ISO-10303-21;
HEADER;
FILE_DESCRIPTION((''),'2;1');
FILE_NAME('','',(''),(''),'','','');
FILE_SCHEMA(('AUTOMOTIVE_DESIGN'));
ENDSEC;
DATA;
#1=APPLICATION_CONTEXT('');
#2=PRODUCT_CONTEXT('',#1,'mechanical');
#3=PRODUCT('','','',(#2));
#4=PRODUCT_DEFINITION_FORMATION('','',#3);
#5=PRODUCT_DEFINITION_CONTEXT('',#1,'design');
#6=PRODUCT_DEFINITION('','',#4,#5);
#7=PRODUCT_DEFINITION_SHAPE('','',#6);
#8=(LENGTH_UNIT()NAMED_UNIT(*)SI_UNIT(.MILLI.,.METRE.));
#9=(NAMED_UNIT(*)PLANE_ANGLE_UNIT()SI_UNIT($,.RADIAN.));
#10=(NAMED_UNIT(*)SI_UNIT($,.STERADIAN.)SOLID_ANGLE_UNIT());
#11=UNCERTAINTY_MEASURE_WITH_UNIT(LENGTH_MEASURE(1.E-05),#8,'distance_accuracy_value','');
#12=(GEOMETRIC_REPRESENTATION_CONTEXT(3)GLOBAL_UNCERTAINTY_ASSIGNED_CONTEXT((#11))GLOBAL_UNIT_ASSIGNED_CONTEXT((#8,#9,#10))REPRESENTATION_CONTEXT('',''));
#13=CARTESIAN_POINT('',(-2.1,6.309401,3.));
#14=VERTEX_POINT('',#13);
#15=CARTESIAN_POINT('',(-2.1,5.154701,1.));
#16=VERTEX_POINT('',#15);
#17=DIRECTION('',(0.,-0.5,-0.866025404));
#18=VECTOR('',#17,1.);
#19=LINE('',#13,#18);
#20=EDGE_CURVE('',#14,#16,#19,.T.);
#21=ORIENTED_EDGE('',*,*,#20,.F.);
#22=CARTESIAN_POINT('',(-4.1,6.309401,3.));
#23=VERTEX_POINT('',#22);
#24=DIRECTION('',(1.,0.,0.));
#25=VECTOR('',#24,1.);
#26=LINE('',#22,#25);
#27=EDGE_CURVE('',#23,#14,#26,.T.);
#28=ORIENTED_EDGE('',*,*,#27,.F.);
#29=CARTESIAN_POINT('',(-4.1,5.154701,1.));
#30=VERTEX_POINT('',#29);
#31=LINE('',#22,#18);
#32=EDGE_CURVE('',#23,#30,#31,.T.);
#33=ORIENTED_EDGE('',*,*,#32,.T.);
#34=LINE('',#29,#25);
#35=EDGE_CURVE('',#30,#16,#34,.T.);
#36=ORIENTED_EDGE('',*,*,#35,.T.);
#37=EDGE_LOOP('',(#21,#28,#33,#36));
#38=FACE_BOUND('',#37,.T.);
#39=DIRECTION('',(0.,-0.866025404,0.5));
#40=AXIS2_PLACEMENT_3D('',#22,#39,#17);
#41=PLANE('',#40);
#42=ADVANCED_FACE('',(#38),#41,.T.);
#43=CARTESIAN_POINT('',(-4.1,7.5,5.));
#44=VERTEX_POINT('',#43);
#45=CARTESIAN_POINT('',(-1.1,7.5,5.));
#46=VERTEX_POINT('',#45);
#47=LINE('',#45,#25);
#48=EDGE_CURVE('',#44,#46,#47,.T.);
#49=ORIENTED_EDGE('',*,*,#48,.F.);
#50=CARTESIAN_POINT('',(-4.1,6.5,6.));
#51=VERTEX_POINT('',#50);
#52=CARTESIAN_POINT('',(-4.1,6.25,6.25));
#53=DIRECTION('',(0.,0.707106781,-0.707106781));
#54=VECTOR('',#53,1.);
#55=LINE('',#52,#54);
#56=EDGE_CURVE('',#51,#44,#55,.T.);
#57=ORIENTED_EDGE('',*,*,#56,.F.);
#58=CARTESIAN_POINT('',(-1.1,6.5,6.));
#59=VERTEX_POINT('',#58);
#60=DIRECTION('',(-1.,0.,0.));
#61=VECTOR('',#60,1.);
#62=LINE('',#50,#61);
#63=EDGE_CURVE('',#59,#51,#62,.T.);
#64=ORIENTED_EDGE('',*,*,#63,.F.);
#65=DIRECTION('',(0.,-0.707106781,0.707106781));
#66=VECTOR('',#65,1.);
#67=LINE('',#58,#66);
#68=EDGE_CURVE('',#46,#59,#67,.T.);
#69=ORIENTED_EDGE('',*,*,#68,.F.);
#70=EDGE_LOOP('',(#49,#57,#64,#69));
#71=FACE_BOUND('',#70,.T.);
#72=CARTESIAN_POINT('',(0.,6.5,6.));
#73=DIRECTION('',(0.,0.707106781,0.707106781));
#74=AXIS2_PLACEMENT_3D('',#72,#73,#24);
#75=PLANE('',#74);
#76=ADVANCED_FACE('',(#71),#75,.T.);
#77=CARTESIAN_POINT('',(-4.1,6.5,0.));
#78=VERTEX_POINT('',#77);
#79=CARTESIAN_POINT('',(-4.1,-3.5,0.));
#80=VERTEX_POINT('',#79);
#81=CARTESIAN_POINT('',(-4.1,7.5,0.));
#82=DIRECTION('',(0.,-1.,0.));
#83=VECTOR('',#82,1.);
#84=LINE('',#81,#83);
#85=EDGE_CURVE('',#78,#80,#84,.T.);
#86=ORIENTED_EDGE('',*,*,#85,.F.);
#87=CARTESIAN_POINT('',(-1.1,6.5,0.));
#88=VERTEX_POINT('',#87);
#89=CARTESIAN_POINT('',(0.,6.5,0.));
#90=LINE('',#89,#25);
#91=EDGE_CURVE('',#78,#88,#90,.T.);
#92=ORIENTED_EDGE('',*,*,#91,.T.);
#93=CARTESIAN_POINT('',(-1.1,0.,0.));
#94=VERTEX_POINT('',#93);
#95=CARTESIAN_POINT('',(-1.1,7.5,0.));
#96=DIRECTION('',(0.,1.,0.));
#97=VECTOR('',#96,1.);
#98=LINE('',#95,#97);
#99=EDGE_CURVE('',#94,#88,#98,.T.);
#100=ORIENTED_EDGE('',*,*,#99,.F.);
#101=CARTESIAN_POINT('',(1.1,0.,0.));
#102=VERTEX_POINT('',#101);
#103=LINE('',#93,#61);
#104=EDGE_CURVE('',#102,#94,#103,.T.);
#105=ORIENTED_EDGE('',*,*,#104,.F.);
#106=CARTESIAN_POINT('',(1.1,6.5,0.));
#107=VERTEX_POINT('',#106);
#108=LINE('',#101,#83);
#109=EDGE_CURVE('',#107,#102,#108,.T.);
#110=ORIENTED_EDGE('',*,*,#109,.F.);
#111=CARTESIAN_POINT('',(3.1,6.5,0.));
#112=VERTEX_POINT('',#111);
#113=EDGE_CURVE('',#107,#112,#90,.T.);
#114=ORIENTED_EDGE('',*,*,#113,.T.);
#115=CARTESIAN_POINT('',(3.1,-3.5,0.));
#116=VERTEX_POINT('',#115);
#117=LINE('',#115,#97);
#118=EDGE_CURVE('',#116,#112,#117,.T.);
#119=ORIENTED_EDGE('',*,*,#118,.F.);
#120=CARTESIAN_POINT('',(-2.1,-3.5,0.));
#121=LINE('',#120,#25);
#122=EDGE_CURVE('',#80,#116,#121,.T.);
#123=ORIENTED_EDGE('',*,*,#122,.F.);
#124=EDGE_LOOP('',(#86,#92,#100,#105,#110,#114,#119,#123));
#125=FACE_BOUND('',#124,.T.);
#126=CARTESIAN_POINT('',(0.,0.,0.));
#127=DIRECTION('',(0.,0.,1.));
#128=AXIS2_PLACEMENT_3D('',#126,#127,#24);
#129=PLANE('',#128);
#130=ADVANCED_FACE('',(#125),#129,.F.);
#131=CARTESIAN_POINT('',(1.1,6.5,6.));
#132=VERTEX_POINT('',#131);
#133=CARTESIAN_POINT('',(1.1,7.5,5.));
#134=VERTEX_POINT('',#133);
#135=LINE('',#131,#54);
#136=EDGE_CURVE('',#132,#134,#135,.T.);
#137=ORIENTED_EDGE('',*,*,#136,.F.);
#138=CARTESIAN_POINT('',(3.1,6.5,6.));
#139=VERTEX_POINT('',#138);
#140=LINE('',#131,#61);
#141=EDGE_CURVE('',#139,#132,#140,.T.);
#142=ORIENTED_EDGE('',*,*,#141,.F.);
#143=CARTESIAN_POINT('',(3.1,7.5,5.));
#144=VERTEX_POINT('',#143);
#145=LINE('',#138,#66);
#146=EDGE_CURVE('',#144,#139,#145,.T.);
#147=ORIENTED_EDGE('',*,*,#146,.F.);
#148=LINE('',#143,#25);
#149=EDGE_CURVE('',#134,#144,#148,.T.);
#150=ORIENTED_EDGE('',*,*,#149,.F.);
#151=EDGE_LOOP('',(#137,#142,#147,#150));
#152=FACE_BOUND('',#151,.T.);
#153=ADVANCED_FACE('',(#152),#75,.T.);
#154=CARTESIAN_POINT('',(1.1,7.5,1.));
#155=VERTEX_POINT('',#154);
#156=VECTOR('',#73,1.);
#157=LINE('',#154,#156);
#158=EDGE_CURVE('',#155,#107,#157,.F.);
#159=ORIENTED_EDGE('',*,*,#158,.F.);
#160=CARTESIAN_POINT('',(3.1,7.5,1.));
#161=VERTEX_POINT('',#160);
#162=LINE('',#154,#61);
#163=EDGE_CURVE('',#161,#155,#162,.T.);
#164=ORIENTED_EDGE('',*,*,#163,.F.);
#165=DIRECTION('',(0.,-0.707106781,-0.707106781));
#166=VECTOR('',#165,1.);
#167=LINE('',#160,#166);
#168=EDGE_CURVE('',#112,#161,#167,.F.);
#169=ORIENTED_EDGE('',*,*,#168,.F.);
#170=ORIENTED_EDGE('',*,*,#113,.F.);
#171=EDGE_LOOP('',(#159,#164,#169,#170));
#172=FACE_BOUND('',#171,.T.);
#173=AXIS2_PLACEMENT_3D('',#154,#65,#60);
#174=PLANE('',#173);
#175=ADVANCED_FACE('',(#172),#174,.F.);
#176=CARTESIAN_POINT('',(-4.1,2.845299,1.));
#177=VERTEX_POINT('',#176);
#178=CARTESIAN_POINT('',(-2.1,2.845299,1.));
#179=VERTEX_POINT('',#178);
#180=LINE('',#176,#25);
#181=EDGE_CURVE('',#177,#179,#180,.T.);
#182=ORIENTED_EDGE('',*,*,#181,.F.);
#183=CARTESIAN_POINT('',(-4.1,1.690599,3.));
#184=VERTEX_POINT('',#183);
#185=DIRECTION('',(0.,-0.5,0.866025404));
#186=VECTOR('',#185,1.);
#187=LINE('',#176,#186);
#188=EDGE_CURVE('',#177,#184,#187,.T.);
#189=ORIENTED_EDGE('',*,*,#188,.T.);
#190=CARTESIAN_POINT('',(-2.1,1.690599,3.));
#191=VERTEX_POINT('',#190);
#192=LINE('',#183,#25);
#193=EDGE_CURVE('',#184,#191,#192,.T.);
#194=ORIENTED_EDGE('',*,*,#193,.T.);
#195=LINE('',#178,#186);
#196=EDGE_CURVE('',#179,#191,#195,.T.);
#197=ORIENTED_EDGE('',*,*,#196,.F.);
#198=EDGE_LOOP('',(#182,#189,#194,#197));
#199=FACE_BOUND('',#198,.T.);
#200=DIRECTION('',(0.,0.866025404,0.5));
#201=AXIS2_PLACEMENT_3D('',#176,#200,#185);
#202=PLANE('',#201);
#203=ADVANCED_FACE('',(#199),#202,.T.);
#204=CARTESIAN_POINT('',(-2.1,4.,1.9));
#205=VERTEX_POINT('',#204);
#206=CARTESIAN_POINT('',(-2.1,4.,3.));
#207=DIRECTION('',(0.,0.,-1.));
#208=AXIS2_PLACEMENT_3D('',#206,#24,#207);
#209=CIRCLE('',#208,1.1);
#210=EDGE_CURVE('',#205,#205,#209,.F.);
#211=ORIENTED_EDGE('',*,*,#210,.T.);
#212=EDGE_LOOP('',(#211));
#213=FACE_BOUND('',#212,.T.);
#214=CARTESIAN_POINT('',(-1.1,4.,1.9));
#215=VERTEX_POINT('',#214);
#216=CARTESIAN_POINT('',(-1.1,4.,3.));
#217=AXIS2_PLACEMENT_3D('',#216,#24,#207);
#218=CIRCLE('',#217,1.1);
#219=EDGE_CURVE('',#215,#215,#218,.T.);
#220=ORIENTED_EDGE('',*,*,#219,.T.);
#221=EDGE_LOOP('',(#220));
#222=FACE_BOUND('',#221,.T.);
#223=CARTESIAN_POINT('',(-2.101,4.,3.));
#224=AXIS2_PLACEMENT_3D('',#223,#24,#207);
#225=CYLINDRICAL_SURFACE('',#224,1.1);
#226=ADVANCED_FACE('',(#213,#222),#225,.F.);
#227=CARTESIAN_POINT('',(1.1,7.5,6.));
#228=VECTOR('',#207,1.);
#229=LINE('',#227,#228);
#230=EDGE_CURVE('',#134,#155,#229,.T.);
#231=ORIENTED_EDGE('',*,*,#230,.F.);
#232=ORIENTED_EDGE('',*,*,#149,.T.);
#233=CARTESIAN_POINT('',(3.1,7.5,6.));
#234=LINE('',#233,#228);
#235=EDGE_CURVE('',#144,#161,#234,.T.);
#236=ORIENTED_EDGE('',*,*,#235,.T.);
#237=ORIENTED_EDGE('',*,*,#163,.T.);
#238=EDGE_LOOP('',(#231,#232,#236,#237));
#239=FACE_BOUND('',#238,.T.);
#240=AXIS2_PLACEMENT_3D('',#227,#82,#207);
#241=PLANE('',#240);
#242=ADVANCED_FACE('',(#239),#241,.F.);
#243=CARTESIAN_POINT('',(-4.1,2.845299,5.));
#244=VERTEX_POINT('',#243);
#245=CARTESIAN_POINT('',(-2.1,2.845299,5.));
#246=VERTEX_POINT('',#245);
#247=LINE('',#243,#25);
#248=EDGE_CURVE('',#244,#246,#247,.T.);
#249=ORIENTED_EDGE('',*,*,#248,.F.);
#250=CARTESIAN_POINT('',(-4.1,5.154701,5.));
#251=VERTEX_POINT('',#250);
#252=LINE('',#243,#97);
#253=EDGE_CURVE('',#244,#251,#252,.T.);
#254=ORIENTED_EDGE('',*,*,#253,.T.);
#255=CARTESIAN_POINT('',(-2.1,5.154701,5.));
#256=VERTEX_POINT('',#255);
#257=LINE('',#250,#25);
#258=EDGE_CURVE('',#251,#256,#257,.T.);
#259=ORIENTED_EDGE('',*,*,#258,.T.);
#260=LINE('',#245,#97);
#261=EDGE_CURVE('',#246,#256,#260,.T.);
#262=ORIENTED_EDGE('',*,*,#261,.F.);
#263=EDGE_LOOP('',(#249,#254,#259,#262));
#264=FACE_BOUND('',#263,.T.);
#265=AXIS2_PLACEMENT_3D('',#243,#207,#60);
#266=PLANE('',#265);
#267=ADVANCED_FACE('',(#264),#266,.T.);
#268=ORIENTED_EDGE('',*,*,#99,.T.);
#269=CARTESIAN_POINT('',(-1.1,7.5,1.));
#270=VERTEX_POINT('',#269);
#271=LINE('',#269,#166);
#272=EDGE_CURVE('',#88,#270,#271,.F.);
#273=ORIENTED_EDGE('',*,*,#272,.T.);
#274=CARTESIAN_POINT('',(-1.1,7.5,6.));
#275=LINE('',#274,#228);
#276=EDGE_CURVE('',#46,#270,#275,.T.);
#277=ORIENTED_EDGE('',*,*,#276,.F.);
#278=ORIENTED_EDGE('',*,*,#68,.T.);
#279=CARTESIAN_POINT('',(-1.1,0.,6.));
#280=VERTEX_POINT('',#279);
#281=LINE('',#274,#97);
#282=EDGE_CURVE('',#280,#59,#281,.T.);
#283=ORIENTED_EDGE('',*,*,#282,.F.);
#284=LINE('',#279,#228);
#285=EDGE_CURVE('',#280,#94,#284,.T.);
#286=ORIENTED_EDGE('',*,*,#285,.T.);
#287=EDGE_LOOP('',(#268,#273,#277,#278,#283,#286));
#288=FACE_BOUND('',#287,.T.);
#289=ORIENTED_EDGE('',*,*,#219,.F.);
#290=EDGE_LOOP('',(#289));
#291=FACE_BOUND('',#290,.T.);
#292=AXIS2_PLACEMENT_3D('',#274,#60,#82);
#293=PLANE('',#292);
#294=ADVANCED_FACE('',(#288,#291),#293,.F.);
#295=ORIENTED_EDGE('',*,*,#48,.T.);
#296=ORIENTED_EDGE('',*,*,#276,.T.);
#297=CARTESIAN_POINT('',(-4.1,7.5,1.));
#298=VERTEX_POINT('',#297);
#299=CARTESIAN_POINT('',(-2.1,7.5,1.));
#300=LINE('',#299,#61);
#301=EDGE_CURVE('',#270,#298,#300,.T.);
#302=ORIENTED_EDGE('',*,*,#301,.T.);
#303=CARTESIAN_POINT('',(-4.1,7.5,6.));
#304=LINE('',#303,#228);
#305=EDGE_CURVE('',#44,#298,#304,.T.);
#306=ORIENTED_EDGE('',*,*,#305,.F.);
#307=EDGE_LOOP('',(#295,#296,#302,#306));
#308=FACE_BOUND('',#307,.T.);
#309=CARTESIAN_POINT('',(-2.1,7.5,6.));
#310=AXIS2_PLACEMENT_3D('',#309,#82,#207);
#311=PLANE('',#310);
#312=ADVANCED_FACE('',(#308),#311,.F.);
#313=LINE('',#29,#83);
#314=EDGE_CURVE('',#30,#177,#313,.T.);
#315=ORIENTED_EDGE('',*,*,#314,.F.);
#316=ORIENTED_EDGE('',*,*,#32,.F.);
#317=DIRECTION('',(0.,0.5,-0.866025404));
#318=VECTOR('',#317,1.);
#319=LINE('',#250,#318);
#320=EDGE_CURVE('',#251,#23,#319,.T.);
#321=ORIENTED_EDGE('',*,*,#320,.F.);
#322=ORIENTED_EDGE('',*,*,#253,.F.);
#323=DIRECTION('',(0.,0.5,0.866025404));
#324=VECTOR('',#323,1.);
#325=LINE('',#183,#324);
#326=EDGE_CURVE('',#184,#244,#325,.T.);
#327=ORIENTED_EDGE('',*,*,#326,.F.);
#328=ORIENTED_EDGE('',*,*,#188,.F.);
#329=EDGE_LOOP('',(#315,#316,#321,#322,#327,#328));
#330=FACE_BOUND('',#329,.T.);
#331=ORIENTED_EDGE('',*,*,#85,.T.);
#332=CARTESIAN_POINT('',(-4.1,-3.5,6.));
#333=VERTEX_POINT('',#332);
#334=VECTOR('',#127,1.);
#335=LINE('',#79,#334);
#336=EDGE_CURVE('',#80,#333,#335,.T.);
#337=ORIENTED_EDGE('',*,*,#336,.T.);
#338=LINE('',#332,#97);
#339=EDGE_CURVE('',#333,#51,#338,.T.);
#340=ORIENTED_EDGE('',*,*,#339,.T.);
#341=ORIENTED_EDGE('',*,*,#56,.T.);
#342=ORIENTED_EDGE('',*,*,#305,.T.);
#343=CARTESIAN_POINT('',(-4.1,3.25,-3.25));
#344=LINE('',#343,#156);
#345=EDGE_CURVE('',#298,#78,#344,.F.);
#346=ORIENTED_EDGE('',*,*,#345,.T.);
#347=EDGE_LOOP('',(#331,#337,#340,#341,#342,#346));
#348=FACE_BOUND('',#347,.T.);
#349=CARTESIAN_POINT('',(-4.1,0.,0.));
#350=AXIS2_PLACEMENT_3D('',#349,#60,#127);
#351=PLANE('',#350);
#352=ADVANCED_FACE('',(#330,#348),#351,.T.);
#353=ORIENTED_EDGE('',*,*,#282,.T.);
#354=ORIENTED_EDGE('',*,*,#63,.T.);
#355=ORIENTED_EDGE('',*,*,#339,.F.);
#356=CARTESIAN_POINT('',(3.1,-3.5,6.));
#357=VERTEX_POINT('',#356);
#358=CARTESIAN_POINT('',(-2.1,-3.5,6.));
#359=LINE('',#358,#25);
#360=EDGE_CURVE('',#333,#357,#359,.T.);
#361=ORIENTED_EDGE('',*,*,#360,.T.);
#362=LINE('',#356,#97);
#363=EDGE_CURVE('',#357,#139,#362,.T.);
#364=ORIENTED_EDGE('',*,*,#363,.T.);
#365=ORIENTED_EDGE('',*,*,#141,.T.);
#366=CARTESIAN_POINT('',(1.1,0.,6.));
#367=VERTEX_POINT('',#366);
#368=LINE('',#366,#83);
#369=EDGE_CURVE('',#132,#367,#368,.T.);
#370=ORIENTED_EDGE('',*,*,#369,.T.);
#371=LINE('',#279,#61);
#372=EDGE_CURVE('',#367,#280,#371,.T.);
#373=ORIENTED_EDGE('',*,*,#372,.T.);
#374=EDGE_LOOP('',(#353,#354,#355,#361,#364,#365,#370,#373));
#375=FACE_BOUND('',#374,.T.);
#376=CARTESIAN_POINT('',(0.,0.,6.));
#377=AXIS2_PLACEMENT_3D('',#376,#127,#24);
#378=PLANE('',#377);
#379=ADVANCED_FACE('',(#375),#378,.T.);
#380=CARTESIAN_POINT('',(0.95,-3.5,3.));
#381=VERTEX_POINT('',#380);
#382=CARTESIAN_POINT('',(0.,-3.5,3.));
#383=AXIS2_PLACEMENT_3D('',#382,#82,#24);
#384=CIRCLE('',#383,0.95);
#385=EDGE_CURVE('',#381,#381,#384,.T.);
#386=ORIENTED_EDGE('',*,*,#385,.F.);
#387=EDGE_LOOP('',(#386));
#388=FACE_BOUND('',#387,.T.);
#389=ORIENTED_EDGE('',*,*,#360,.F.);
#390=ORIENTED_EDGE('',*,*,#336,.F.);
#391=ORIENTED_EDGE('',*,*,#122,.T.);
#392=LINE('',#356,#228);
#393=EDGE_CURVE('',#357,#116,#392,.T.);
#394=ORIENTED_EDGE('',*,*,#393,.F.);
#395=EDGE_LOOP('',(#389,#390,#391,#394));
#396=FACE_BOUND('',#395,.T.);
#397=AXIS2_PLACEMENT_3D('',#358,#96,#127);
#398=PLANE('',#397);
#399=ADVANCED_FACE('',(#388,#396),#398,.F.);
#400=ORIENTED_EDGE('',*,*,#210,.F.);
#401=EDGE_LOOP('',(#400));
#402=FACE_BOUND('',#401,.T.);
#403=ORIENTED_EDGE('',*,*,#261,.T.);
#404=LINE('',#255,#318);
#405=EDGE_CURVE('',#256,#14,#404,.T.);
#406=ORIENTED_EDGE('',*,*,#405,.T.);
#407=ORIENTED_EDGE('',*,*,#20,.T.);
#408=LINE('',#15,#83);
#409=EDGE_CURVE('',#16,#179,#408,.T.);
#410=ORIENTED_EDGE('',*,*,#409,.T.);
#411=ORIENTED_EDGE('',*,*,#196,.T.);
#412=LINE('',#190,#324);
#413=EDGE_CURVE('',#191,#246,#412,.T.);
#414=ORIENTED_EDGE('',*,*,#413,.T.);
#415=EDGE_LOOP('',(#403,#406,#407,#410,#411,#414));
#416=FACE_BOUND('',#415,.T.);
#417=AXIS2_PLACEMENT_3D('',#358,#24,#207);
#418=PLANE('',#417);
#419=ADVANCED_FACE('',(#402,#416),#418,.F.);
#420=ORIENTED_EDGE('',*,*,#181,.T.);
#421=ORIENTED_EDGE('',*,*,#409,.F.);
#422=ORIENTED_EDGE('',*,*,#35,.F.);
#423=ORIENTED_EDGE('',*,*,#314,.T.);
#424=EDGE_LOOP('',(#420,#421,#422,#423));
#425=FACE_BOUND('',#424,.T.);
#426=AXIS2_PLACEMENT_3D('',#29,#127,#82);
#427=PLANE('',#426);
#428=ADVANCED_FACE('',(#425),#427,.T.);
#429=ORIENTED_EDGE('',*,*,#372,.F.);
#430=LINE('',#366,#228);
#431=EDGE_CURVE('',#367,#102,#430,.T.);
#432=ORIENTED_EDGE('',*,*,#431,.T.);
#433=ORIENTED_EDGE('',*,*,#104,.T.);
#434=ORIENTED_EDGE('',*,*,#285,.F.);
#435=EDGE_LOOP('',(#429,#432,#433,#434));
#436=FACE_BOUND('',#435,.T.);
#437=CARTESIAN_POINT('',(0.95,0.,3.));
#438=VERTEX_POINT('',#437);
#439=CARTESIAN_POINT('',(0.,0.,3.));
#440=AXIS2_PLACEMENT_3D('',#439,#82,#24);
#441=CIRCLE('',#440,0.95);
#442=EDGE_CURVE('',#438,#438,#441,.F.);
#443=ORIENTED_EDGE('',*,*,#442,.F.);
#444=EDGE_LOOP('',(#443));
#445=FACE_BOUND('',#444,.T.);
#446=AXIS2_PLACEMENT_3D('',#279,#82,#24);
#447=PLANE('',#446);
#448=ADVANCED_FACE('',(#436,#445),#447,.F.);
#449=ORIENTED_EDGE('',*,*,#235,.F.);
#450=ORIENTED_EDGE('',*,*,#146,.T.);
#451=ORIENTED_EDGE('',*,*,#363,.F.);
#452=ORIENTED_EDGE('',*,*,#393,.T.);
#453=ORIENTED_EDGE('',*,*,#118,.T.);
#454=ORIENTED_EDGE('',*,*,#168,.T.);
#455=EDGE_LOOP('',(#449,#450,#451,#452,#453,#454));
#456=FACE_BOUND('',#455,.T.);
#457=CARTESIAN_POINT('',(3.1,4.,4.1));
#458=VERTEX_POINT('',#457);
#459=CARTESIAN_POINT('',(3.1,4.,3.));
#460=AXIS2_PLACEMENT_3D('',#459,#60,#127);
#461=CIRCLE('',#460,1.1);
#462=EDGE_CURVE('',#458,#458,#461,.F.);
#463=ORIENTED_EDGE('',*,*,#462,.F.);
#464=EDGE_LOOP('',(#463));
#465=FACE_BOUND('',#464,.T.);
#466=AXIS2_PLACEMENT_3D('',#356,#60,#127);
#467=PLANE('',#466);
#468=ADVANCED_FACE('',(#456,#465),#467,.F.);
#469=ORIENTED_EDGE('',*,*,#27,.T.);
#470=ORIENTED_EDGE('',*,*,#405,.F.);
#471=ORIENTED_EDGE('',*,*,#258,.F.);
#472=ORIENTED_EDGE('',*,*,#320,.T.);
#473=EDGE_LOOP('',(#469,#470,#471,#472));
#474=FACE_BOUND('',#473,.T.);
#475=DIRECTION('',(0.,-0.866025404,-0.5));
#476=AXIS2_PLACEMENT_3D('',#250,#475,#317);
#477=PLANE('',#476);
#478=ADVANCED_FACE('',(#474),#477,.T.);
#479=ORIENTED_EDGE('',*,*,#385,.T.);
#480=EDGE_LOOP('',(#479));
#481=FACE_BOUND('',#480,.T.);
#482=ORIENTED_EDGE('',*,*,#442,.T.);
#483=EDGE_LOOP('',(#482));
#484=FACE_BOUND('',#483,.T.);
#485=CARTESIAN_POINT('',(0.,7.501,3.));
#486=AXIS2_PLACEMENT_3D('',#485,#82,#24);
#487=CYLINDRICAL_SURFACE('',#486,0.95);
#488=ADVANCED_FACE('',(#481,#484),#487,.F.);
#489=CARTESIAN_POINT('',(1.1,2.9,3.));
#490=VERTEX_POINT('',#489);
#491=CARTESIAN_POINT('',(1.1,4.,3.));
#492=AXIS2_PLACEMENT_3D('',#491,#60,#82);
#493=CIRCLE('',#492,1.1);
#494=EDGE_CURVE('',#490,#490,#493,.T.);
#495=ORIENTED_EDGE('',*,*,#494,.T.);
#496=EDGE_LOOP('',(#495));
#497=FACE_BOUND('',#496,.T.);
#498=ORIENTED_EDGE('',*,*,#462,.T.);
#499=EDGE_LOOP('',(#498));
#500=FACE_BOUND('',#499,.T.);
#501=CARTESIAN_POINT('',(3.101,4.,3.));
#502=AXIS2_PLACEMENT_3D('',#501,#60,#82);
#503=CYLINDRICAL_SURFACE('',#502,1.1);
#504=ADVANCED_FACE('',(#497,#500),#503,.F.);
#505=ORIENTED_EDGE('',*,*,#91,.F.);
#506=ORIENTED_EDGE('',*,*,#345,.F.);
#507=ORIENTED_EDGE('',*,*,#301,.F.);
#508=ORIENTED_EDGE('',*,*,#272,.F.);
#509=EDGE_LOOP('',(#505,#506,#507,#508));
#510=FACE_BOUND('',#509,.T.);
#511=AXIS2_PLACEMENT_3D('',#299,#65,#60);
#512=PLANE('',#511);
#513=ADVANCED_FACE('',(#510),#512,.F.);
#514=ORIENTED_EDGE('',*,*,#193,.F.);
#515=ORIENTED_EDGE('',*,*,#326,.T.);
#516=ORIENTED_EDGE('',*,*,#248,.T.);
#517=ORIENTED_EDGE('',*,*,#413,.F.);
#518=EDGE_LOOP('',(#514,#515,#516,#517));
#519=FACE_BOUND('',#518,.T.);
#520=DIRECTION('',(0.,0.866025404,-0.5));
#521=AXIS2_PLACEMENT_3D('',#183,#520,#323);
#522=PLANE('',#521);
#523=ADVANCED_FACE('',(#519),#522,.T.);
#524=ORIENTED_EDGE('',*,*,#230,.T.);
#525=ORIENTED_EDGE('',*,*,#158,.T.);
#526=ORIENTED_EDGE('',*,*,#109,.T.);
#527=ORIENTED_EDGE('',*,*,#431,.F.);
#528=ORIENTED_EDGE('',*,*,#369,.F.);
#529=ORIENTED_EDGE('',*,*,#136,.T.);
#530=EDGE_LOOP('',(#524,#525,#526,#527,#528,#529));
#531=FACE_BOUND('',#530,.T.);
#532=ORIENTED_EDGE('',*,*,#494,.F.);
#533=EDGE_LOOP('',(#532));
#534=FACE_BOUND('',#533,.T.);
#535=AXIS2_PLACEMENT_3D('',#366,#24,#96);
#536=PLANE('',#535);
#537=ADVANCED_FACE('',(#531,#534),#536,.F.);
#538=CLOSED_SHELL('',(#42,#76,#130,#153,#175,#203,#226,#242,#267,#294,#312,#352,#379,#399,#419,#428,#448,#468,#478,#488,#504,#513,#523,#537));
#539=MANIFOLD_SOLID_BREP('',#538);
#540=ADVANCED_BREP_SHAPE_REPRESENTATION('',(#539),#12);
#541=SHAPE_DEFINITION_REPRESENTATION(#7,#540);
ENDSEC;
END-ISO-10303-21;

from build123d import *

# Parameters (mm, degrees)
BOSS_EXTRUDE1_DEPTH = 6
CUT_EXTRUDE1_REACH  = 4
SKETCH2_R           = 1.1
CUT_EXTRUDE2_REACH  = 3
SKETCH3_R           = 1.1
SKETCH5_W           = 6
SKETCH5_H           = 11
BOSS_EXTRUDE2_DEPTH = 2
CUT_EXTRUDE3_REACH  = 13
SKETCH4_R           = 0.95
CHAMFER1_SIZE       = 1


with BuildPart() as part:
    # Sketch1 → Boss-Extrude1 (new body)
    with BuildSketch(Plane.XY):
        Polygon((-1.1, 7.5), (-1.1, 0), (1.1, 0), (1.1, 7.5), (3.1, 7.5), (3.1, -3.5), (-2.1, -3.5), (-2.1, 7.5), align=None)
    extrude(amount=BOSS_EXTRUDE1_DEPTH)

    # Sketch2 → Cut-Extrude1 (cut, up to next)
    with BuildSketch(Plane.ZY.offset(-1.1), mode=Mode.PRIVATE) as cut_extrude1_sk1:
        with Locations((3, 4)):
            Circle(SKETCH2_R)
    cut_extrude1_tool1 = extrude(cut_extrude1_sk1.sketch, amount=-CUT_EXTRUDE1_REACH, mode=Mode.PRIVATE) & part.part
    add(cut_extrude1_tool1.solids().sort_by_distance((1.1, 4, 3))[0], mode=Mode.SUBTRACT)

    # Sketch3 → Cut-Extrude2 (cut, up to next)
    with BuildSketch(Plane(origin=(-1.1, 0, 0), x_dir=(0, 0, -1), z_dir=(1, 0, 0)), mode=Mode.PRIVATE) as cut_extrude2_sk1:
        with Locations((-3, 4)):
            Circle(SKETCH3_R)
    cut_extrude2_tool1 = extrude(cut_extrude2_sk1.sketch, amount=-CUT_EXTRUDE2_REACH, mode=Mode.PRIVATE) & part.part
    add(cut_extrude2_tool1.solids().sort_by_distance((-1.1, 4, 3))[0], mode=Mode.SUBTRACT)

    # Sketch5 → Boss-Extrude2 (add)
    with BuildSketch(Plane.ZY.offset(2.1)):
        with Locations((3, 2)):
            Rectangle(SKETCH5_W, SKETCH5_H)
        Polygon((5, 2.845299462), (5, 5.154700538), (3, 6.309401077), (1, 5.154700538), (1, 2.845299462), (3, 1.690598923), align=None, mode=Mode.SUBTRACT)
    extrude(amount=BOSS_EXTRUDE2_DEPTH)

    # Sketch4 → Cut-Extrude3 (cut, up to next)
    with BuildSketch(Plane.XZ.offset(3.5), mode=Mode.PRIVATE) as cut_extrude3_sk1:
        with Locations((0, 3)):
            Circle(SKETCH4_R)
    cut_extrude3_tool1 = extrude(cut_extrude3_sk1.sketch, amount=-CUT_EXTRUDE3_REACH, mode=Mode.PRIVATE) & part.part
    add(cut_extrude3_tool1.solids().sort_by_distance((0, -3.5, 3))[0], mode=Mode.SUBTRACT)

    # Chamfer1
    chamfer1_edges = [part.edges().sort_by_distance(p)[0] for p in [
        (2.1, 7.5, 0),
        (-2.6, 7.5, 6),
        (2.1, 7.5, 6),
        (-2.6, 7.5, 0),
    ]]
    chamfer(chamfer1_edges, length=CHAMFER1_SIZE)


solid = part.part
